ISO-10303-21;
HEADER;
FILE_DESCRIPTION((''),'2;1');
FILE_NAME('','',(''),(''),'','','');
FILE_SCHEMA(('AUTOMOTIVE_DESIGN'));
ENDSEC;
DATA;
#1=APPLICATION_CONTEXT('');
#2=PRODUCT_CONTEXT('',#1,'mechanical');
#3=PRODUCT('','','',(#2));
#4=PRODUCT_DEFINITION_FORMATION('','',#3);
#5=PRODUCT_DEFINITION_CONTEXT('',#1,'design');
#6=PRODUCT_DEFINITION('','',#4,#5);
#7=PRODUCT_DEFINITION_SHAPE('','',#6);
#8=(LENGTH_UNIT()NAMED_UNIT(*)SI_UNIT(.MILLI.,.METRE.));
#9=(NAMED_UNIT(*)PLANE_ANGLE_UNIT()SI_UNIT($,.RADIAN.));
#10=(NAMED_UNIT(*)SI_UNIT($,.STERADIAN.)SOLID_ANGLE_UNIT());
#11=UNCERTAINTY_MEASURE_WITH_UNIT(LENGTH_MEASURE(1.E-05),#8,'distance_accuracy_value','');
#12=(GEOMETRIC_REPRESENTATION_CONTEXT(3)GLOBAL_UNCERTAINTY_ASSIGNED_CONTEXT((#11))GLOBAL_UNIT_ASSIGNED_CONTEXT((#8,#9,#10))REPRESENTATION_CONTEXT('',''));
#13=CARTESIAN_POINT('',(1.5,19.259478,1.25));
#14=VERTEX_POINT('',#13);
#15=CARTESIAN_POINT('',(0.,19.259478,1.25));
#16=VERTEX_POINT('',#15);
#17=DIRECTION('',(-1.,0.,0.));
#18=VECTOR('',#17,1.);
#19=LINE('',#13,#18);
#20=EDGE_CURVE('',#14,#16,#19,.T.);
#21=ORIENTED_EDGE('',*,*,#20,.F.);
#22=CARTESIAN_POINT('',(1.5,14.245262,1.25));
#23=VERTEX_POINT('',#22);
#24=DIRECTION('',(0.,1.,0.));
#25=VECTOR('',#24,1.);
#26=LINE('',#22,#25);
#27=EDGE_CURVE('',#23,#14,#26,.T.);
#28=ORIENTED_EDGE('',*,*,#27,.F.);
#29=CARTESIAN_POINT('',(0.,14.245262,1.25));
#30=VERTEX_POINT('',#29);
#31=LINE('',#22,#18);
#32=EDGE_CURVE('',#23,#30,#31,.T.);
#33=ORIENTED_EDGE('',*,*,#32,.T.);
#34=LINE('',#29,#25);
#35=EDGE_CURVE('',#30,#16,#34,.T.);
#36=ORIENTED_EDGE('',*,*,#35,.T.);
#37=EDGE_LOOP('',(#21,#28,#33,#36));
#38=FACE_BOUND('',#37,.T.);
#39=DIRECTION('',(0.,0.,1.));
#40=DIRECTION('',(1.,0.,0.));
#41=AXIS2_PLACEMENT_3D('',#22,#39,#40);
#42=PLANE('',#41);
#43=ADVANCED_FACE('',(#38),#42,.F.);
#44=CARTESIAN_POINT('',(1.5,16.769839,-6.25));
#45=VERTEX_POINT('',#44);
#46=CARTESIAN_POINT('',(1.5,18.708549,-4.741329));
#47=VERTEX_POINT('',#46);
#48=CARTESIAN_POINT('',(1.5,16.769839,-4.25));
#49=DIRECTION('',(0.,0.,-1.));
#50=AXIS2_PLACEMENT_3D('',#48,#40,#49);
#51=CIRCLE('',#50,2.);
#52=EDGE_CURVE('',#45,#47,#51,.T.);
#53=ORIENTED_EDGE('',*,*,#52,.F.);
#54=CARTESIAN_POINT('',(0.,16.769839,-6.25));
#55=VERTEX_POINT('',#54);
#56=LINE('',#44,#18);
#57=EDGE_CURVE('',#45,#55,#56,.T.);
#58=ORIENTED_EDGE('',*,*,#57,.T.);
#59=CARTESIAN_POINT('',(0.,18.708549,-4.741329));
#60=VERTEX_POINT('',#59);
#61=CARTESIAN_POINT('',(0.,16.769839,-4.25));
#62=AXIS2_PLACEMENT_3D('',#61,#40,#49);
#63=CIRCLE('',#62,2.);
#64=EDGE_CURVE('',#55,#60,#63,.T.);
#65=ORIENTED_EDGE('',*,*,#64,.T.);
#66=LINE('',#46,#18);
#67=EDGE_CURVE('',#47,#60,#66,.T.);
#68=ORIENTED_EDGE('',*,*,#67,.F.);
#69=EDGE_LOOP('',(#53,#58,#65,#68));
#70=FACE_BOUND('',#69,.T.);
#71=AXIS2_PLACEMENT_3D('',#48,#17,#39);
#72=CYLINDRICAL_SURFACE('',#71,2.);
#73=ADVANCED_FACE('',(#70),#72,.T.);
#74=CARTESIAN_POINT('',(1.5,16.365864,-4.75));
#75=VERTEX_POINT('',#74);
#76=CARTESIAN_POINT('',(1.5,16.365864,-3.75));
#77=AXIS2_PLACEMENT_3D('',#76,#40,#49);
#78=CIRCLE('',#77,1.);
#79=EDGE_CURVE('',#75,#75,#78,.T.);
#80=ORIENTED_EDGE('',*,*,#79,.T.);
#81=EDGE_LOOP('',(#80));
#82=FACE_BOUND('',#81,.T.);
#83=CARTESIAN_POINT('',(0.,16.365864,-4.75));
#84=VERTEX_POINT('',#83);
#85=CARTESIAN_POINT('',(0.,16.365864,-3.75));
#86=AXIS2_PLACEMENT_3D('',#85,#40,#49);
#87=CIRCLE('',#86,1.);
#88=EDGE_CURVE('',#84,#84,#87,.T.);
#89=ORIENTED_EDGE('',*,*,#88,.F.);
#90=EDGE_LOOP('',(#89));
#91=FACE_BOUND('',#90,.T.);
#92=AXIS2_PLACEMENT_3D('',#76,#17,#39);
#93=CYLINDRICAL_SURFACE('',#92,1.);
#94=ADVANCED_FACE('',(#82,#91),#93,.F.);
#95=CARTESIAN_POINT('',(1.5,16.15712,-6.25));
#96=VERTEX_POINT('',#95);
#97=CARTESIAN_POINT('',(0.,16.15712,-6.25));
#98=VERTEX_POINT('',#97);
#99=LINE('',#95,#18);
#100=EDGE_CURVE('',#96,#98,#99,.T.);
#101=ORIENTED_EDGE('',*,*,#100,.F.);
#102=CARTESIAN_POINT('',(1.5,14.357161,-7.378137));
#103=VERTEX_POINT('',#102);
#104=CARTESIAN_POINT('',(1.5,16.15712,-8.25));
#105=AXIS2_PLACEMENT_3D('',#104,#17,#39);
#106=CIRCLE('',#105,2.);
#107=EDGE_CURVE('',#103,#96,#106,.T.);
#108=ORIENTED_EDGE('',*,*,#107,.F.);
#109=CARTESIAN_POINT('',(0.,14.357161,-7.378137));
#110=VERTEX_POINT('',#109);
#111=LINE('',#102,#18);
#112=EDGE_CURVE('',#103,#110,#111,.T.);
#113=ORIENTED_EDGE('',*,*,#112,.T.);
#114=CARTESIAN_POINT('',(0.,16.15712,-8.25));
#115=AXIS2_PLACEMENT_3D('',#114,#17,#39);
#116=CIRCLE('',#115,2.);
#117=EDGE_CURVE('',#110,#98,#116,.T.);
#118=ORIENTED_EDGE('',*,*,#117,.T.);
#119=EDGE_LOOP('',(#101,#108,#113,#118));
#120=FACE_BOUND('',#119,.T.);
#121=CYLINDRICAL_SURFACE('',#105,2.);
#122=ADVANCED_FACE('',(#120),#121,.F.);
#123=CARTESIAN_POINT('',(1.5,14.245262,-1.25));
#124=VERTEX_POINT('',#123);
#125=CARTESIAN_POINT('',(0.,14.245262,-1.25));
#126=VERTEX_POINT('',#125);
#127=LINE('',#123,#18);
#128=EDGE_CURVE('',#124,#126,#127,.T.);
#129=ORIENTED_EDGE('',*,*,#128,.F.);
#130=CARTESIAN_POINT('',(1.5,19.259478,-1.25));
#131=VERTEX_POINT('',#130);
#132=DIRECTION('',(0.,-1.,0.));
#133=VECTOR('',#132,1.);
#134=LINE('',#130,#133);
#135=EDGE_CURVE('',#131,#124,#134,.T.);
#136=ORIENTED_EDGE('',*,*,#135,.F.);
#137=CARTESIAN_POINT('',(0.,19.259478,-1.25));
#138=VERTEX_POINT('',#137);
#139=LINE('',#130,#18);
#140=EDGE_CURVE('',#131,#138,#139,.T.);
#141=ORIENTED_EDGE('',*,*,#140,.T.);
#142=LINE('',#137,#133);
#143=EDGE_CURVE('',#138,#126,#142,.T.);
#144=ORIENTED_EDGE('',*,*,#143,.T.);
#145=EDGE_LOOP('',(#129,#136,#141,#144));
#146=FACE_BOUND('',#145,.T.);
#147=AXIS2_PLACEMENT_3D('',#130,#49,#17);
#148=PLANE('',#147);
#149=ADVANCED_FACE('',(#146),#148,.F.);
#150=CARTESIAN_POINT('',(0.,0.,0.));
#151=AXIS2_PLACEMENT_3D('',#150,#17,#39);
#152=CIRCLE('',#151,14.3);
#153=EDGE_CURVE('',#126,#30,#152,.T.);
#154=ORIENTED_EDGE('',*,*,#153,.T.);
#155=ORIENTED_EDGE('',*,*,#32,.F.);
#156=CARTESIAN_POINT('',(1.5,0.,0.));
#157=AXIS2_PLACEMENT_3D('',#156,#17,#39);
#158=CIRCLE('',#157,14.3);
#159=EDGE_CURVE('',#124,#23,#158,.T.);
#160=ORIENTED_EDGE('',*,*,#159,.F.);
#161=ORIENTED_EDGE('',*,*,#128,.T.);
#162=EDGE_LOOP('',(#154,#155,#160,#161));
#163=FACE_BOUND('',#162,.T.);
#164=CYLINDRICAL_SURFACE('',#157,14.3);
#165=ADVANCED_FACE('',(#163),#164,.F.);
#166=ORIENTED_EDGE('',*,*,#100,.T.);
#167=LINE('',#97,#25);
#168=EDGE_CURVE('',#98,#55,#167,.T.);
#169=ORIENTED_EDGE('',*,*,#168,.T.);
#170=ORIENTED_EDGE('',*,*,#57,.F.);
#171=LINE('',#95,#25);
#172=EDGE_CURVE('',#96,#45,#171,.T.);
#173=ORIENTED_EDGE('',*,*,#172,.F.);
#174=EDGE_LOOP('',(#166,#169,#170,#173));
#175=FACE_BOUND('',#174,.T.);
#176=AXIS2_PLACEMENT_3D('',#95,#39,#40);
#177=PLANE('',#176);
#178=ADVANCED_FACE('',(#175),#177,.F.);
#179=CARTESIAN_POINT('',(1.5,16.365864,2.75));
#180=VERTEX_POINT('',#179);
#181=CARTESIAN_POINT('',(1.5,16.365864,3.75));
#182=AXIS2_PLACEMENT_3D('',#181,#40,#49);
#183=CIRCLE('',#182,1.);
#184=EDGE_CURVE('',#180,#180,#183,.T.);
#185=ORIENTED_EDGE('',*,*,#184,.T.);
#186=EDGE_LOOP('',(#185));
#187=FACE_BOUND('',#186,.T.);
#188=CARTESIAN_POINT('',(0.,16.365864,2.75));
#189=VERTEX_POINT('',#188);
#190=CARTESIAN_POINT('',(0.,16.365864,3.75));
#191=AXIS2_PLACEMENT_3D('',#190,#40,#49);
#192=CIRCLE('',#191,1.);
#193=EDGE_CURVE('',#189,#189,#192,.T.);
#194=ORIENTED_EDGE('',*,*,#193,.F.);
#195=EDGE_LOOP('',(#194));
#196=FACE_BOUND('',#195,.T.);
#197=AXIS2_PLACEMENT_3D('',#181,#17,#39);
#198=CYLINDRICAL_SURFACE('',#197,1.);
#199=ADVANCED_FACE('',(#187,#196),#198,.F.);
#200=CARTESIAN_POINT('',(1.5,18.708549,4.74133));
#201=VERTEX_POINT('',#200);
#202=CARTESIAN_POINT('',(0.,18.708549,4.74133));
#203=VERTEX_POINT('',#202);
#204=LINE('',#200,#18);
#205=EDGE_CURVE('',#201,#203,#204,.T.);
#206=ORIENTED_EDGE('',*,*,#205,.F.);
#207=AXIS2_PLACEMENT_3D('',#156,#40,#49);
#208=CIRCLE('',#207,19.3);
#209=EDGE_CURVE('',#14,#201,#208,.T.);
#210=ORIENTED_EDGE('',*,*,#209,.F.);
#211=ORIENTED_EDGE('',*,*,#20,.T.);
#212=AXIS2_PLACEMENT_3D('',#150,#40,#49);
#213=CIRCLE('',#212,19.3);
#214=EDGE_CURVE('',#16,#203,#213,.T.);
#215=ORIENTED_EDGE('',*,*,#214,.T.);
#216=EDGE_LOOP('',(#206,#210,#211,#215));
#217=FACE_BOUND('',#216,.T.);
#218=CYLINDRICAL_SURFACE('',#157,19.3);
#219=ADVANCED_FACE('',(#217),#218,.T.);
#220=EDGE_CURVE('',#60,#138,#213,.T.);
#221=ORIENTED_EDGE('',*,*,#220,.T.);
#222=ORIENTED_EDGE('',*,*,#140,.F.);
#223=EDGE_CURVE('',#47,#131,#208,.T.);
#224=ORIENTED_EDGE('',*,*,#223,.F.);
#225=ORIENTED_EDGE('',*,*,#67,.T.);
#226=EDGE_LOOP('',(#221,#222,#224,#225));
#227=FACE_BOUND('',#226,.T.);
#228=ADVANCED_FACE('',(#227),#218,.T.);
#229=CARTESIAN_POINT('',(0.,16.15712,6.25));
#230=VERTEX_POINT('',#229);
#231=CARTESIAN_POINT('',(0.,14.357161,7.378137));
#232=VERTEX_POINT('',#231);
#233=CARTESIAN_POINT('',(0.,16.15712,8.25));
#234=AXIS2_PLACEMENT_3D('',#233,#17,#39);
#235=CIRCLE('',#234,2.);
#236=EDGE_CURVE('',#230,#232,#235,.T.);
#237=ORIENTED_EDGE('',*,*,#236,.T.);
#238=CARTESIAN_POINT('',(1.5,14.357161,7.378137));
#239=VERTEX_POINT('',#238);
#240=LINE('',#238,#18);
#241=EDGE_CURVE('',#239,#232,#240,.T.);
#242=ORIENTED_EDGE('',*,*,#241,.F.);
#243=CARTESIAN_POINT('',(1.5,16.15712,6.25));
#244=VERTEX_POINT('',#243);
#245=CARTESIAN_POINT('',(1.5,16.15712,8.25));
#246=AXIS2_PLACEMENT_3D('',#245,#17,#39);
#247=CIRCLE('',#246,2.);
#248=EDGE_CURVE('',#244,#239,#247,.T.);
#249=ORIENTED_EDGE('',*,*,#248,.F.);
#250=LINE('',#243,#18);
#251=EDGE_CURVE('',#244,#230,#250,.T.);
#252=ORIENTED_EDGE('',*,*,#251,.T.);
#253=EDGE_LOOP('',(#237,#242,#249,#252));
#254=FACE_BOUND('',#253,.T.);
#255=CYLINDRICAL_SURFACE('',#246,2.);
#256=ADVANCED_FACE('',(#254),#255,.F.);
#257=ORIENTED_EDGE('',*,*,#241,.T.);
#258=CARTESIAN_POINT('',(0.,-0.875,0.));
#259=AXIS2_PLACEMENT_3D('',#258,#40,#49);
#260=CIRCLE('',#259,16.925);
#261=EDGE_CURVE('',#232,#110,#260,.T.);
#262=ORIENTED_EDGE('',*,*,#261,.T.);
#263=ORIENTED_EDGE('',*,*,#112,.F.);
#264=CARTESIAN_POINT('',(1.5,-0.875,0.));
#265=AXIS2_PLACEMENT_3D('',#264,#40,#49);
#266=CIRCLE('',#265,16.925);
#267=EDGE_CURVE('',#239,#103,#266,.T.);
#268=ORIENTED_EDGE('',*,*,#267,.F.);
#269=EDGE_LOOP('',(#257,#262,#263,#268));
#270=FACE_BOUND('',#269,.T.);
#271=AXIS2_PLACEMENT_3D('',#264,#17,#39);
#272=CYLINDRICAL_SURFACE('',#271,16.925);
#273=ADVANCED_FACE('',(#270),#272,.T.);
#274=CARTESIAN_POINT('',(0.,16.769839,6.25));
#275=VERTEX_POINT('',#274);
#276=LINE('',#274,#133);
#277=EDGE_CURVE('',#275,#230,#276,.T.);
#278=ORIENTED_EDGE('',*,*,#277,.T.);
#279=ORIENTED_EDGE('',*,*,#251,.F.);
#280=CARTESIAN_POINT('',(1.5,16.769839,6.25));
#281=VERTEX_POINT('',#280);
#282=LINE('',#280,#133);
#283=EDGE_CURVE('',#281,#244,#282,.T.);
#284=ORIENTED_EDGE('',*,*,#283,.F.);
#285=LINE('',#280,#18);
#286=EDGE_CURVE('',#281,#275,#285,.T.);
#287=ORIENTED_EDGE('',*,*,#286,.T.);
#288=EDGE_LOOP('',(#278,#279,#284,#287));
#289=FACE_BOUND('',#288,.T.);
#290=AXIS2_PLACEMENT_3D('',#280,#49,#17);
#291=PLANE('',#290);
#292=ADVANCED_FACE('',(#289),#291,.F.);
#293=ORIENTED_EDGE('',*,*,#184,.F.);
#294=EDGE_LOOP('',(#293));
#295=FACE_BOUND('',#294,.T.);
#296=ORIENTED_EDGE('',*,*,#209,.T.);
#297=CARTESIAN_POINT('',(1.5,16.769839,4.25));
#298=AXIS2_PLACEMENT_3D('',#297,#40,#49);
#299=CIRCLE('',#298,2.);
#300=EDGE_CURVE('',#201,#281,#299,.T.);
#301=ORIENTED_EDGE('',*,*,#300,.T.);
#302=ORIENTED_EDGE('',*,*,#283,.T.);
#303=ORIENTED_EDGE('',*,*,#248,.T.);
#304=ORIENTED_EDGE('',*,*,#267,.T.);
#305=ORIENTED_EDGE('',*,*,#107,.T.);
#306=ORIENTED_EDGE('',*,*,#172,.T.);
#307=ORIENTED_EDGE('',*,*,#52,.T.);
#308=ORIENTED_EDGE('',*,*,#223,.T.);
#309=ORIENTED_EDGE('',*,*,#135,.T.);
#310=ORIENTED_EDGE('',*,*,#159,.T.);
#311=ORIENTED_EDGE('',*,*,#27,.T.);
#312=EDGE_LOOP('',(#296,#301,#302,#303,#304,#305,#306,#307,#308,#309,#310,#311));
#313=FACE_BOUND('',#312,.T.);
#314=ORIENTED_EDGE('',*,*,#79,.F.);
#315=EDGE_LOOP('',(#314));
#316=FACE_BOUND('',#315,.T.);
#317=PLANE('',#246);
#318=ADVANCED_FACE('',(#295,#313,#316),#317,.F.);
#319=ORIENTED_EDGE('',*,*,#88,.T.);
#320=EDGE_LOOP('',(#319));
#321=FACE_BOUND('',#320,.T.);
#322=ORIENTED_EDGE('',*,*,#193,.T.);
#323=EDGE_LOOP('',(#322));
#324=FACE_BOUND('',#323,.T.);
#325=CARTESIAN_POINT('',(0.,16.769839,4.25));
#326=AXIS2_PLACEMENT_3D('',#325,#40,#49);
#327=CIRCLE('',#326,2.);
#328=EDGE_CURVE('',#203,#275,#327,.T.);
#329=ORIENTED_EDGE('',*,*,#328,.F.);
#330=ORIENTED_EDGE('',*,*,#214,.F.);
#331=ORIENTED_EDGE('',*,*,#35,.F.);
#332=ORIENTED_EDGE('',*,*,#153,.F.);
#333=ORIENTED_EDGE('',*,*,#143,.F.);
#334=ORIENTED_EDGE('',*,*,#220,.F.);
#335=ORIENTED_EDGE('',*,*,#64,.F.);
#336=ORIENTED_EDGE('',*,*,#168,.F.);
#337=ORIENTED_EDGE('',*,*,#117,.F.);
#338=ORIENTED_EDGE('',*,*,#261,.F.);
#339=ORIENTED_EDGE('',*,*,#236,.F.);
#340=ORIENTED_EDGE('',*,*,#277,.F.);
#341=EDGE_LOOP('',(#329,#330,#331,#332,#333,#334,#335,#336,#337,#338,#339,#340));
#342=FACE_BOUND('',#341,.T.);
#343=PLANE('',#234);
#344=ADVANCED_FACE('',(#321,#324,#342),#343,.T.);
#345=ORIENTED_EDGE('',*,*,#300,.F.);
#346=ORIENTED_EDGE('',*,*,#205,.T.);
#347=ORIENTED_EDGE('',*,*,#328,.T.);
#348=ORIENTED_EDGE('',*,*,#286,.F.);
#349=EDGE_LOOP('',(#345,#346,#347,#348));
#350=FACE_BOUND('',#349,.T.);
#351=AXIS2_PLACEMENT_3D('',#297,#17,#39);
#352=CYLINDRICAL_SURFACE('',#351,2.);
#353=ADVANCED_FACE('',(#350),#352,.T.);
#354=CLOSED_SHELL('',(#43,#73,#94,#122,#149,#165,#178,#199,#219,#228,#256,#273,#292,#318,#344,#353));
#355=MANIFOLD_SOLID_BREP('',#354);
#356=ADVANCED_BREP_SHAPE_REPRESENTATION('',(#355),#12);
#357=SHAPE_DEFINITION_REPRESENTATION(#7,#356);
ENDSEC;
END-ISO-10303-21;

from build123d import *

# Parameters (mm, degrees)
SKETCH1_R           = 1
BOSS_EXTRUDE1_DEPTH = 1.5


with BuildPart() as part:
    # Sketch1 → Boss-Extrude1 (new body)
    with BuildSketch(Plane(origin=(0, 0, 0), x_dir=(0, 0, -1), z_dir=(1, 0, 0))):
        with BuildLine():
            Line((6.25, 16.157120391), (6.25, 16.769838997))
            ThreePointArc((6.25, 16.769838997), (5.828394576, 17.99811851), (4.741329439, 18.708548718))
            ThreePointArc((4.741329439, 18.708548718), (3.008303165, 19.064105331), (1.25, 19.259478186))
            Line((1.25, 19.259478186), (1.25, 14.24526237))
            ThreePointArc((1.25, 14.24526237), (0, -14.3), (-1.25, 14.24526237))
            Line((-1.25, 14.24526237), (-1.25, 19.259478186))
            ThreePointArc((-1.25, 19.259478186), (-3.008303352, 19.064105301), (-4.741329807, 18.708548625))
            ThreePointArc((-4.741329807, 18.708548625), (-5.828394693, 17.99811836), (-6.25, 16.769838997))
            Line((-6.25, 16.769838997), (-6.25, 16.157120391))
            ThreePointArc((-6.25, 16.157120391), (-6.555342891, 15.094982319), (-7.378137284, 14.357160556))
            ThreePointArc((-7.378137284, 14.357160556), (-5.6e-08, -17.8), (7.378137384, 14.357160508))
            ThreePointArc((7.378137384, 14.357160508), (6.555342921, 15.094982271), (6.25, 16.157120391))
        make_face()
        with Locations((3.75, 16.365864345)):
            Circle(SKETCH1_R, mode=Mode.SUBTRACT)
        with Locations((-3.75, 16.365864345)):
            Circle(SKETCH1_R, mode=Mode.SUBTRACT)
    extrude(amount=BOSS_EXTRUDE1_DEPTH)


solid = part.part
